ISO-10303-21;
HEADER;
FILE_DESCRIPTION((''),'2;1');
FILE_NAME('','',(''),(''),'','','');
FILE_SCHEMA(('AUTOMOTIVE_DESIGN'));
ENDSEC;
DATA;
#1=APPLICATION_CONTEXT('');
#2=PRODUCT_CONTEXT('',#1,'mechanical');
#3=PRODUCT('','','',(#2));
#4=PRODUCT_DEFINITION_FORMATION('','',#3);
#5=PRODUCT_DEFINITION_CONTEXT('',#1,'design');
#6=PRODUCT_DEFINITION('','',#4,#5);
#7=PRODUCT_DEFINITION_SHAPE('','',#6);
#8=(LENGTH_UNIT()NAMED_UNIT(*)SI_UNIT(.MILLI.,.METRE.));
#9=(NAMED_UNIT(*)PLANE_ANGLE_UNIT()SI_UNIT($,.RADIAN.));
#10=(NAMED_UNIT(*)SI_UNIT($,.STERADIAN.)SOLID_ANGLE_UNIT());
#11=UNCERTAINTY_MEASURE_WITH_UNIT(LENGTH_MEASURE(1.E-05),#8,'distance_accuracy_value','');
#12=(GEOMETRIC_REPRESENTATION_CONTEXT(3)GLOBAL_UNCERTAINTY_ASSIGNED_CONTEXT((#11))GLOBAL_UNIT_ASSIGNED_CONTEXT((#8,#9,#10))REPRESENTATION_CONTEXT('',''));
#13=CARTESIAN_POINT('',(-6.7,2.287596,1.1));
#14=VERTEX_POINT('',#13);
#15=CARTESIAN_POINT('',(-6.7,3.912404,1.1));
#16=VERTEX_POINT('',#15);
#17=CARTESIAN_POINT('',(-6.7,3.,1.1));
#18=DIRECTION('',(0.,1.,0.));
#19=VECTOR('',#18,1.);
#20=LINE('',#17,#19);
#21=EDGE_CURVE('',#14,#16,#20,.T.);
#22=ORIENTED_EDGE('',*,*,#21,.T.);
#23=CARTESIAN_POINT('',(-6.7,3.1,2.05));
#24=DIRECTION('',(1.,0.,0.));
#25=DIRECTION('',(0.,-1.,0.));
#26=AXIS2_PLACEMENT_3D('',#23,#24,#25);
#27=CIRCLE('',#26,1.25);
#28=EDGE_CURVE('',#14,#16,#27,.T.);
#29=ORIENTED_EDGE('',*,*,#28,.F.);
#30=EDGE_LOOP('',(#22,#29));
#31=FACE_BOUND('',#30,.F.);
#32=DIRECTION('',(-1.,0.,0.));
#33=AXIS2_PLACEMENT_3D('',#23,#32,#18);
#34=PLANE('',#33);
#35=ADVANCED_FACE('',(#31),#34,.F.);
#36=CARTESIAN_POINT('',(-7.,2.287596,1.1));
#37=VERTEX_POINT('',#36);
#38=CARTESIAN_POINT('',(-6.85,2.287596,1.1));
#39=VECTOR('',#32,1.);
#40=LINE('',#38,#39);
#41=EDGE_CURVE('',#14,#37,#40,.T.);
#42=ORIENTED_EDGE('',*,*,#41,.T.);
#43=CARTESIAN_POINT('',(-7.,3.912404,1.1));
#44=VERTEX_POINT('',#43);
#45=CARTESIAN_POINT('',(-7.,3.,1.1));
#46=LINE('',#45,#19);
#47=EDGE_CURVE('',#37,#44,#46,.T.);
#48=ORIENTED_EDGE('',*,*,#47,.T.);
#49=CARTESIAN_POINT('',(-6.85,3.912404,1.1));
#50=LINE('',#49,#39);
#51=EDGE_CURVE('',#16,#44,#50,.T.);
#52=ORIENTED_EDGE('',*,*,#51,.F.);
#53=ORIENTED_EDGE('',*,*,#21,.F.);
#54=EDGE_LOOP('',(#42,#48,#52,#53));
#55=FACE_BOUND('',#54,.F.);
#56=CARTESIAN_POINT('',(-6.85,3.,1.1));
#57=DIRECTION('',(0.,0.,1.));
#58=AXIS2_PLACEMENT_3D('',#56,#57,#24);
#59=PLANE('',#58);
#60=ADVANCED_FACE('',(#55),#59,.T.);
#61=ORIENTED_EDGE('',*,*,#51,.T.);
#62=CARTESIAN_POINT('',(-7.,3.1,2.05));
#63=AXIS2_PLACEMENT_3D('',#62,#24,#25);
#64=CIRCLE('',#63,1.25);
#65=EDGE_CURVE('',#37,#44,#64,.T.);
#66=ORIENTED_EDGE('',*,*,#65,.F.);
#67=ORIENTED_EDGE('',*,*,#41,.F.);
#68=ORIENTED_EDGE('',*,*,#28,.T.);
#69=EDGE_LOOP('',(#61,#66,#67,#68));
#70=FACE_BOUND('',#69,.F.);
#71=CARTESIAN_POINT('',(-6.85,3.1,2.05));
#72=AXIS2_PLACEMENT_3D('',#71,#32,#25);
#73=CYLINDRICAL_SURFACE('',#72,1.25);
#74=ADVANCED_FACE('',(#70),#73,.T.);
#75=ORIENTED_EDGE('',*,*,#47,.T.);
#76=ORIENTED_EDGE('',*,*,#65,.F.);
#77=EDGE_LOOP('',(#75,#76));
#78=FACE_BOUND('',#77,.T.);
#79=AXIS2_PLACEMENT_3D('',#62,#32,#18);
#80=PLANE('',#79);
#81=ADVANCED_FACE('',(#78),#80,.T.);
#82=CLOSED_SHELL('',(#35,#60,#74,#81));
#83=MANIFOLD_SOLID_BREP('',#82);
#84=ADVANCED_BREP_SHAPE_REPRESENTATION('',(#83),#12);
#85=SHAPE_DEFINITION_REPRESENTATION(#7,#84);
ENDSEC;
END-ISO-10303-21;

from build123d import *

# Parameters (mm, degrees)
BOX004_W          = 0.3
BOX004_H          = 3
BOX004_DEPTH      = 2
CYLINDER001_W     = 1.25
CYLINDER001_H     = 0.3
CYLINDER001_ANGLE = 180


with BuildPart() as cube001:
    # Box004 → Box004 (new body)
    with BuildSketch(Plane(origin=(6.7, 1.5, 1.1), x_dir=(1, 0, 0), z_dir=(0, 0, 1))):
        with Locations((0.15, 1.5)):
            Rectangle(BOX004_W, BOX004_H)
    extrude(amount=BOX004_DEPTH)


with BuildPart() as cut002:
    # Cylinder001 → Cylinder001 (revolve)
    with BuildSketch(Plane(origin=(6.7, 3.1, 2.05), x_dir=(0, -1, 0), z_dir=(0, 0, 1))):
        with Locations((0.625, 0.15)):
            Rectangle(CYLINDER001_W, CYLINDER001_H)
    revolve(axis=Axis((6.7, 3.1, 2.05), (1, 0, 0)), revolution_arc=CYLINDER001_ANGLE)

    # Cut002: cut Cube001
    add(cube001.part, mode=Mode.SUBTRACT)


with BuildPart() as part_mirroring001:
    # Part__Mirroring001: instance of Cut002
    add(cut002.part.mirror(Plane(origin=(0, 0, 0), x_dir=(0, -1, 0), z_dir=(1, 0, 0))))


solid = part_mirroring001.part
